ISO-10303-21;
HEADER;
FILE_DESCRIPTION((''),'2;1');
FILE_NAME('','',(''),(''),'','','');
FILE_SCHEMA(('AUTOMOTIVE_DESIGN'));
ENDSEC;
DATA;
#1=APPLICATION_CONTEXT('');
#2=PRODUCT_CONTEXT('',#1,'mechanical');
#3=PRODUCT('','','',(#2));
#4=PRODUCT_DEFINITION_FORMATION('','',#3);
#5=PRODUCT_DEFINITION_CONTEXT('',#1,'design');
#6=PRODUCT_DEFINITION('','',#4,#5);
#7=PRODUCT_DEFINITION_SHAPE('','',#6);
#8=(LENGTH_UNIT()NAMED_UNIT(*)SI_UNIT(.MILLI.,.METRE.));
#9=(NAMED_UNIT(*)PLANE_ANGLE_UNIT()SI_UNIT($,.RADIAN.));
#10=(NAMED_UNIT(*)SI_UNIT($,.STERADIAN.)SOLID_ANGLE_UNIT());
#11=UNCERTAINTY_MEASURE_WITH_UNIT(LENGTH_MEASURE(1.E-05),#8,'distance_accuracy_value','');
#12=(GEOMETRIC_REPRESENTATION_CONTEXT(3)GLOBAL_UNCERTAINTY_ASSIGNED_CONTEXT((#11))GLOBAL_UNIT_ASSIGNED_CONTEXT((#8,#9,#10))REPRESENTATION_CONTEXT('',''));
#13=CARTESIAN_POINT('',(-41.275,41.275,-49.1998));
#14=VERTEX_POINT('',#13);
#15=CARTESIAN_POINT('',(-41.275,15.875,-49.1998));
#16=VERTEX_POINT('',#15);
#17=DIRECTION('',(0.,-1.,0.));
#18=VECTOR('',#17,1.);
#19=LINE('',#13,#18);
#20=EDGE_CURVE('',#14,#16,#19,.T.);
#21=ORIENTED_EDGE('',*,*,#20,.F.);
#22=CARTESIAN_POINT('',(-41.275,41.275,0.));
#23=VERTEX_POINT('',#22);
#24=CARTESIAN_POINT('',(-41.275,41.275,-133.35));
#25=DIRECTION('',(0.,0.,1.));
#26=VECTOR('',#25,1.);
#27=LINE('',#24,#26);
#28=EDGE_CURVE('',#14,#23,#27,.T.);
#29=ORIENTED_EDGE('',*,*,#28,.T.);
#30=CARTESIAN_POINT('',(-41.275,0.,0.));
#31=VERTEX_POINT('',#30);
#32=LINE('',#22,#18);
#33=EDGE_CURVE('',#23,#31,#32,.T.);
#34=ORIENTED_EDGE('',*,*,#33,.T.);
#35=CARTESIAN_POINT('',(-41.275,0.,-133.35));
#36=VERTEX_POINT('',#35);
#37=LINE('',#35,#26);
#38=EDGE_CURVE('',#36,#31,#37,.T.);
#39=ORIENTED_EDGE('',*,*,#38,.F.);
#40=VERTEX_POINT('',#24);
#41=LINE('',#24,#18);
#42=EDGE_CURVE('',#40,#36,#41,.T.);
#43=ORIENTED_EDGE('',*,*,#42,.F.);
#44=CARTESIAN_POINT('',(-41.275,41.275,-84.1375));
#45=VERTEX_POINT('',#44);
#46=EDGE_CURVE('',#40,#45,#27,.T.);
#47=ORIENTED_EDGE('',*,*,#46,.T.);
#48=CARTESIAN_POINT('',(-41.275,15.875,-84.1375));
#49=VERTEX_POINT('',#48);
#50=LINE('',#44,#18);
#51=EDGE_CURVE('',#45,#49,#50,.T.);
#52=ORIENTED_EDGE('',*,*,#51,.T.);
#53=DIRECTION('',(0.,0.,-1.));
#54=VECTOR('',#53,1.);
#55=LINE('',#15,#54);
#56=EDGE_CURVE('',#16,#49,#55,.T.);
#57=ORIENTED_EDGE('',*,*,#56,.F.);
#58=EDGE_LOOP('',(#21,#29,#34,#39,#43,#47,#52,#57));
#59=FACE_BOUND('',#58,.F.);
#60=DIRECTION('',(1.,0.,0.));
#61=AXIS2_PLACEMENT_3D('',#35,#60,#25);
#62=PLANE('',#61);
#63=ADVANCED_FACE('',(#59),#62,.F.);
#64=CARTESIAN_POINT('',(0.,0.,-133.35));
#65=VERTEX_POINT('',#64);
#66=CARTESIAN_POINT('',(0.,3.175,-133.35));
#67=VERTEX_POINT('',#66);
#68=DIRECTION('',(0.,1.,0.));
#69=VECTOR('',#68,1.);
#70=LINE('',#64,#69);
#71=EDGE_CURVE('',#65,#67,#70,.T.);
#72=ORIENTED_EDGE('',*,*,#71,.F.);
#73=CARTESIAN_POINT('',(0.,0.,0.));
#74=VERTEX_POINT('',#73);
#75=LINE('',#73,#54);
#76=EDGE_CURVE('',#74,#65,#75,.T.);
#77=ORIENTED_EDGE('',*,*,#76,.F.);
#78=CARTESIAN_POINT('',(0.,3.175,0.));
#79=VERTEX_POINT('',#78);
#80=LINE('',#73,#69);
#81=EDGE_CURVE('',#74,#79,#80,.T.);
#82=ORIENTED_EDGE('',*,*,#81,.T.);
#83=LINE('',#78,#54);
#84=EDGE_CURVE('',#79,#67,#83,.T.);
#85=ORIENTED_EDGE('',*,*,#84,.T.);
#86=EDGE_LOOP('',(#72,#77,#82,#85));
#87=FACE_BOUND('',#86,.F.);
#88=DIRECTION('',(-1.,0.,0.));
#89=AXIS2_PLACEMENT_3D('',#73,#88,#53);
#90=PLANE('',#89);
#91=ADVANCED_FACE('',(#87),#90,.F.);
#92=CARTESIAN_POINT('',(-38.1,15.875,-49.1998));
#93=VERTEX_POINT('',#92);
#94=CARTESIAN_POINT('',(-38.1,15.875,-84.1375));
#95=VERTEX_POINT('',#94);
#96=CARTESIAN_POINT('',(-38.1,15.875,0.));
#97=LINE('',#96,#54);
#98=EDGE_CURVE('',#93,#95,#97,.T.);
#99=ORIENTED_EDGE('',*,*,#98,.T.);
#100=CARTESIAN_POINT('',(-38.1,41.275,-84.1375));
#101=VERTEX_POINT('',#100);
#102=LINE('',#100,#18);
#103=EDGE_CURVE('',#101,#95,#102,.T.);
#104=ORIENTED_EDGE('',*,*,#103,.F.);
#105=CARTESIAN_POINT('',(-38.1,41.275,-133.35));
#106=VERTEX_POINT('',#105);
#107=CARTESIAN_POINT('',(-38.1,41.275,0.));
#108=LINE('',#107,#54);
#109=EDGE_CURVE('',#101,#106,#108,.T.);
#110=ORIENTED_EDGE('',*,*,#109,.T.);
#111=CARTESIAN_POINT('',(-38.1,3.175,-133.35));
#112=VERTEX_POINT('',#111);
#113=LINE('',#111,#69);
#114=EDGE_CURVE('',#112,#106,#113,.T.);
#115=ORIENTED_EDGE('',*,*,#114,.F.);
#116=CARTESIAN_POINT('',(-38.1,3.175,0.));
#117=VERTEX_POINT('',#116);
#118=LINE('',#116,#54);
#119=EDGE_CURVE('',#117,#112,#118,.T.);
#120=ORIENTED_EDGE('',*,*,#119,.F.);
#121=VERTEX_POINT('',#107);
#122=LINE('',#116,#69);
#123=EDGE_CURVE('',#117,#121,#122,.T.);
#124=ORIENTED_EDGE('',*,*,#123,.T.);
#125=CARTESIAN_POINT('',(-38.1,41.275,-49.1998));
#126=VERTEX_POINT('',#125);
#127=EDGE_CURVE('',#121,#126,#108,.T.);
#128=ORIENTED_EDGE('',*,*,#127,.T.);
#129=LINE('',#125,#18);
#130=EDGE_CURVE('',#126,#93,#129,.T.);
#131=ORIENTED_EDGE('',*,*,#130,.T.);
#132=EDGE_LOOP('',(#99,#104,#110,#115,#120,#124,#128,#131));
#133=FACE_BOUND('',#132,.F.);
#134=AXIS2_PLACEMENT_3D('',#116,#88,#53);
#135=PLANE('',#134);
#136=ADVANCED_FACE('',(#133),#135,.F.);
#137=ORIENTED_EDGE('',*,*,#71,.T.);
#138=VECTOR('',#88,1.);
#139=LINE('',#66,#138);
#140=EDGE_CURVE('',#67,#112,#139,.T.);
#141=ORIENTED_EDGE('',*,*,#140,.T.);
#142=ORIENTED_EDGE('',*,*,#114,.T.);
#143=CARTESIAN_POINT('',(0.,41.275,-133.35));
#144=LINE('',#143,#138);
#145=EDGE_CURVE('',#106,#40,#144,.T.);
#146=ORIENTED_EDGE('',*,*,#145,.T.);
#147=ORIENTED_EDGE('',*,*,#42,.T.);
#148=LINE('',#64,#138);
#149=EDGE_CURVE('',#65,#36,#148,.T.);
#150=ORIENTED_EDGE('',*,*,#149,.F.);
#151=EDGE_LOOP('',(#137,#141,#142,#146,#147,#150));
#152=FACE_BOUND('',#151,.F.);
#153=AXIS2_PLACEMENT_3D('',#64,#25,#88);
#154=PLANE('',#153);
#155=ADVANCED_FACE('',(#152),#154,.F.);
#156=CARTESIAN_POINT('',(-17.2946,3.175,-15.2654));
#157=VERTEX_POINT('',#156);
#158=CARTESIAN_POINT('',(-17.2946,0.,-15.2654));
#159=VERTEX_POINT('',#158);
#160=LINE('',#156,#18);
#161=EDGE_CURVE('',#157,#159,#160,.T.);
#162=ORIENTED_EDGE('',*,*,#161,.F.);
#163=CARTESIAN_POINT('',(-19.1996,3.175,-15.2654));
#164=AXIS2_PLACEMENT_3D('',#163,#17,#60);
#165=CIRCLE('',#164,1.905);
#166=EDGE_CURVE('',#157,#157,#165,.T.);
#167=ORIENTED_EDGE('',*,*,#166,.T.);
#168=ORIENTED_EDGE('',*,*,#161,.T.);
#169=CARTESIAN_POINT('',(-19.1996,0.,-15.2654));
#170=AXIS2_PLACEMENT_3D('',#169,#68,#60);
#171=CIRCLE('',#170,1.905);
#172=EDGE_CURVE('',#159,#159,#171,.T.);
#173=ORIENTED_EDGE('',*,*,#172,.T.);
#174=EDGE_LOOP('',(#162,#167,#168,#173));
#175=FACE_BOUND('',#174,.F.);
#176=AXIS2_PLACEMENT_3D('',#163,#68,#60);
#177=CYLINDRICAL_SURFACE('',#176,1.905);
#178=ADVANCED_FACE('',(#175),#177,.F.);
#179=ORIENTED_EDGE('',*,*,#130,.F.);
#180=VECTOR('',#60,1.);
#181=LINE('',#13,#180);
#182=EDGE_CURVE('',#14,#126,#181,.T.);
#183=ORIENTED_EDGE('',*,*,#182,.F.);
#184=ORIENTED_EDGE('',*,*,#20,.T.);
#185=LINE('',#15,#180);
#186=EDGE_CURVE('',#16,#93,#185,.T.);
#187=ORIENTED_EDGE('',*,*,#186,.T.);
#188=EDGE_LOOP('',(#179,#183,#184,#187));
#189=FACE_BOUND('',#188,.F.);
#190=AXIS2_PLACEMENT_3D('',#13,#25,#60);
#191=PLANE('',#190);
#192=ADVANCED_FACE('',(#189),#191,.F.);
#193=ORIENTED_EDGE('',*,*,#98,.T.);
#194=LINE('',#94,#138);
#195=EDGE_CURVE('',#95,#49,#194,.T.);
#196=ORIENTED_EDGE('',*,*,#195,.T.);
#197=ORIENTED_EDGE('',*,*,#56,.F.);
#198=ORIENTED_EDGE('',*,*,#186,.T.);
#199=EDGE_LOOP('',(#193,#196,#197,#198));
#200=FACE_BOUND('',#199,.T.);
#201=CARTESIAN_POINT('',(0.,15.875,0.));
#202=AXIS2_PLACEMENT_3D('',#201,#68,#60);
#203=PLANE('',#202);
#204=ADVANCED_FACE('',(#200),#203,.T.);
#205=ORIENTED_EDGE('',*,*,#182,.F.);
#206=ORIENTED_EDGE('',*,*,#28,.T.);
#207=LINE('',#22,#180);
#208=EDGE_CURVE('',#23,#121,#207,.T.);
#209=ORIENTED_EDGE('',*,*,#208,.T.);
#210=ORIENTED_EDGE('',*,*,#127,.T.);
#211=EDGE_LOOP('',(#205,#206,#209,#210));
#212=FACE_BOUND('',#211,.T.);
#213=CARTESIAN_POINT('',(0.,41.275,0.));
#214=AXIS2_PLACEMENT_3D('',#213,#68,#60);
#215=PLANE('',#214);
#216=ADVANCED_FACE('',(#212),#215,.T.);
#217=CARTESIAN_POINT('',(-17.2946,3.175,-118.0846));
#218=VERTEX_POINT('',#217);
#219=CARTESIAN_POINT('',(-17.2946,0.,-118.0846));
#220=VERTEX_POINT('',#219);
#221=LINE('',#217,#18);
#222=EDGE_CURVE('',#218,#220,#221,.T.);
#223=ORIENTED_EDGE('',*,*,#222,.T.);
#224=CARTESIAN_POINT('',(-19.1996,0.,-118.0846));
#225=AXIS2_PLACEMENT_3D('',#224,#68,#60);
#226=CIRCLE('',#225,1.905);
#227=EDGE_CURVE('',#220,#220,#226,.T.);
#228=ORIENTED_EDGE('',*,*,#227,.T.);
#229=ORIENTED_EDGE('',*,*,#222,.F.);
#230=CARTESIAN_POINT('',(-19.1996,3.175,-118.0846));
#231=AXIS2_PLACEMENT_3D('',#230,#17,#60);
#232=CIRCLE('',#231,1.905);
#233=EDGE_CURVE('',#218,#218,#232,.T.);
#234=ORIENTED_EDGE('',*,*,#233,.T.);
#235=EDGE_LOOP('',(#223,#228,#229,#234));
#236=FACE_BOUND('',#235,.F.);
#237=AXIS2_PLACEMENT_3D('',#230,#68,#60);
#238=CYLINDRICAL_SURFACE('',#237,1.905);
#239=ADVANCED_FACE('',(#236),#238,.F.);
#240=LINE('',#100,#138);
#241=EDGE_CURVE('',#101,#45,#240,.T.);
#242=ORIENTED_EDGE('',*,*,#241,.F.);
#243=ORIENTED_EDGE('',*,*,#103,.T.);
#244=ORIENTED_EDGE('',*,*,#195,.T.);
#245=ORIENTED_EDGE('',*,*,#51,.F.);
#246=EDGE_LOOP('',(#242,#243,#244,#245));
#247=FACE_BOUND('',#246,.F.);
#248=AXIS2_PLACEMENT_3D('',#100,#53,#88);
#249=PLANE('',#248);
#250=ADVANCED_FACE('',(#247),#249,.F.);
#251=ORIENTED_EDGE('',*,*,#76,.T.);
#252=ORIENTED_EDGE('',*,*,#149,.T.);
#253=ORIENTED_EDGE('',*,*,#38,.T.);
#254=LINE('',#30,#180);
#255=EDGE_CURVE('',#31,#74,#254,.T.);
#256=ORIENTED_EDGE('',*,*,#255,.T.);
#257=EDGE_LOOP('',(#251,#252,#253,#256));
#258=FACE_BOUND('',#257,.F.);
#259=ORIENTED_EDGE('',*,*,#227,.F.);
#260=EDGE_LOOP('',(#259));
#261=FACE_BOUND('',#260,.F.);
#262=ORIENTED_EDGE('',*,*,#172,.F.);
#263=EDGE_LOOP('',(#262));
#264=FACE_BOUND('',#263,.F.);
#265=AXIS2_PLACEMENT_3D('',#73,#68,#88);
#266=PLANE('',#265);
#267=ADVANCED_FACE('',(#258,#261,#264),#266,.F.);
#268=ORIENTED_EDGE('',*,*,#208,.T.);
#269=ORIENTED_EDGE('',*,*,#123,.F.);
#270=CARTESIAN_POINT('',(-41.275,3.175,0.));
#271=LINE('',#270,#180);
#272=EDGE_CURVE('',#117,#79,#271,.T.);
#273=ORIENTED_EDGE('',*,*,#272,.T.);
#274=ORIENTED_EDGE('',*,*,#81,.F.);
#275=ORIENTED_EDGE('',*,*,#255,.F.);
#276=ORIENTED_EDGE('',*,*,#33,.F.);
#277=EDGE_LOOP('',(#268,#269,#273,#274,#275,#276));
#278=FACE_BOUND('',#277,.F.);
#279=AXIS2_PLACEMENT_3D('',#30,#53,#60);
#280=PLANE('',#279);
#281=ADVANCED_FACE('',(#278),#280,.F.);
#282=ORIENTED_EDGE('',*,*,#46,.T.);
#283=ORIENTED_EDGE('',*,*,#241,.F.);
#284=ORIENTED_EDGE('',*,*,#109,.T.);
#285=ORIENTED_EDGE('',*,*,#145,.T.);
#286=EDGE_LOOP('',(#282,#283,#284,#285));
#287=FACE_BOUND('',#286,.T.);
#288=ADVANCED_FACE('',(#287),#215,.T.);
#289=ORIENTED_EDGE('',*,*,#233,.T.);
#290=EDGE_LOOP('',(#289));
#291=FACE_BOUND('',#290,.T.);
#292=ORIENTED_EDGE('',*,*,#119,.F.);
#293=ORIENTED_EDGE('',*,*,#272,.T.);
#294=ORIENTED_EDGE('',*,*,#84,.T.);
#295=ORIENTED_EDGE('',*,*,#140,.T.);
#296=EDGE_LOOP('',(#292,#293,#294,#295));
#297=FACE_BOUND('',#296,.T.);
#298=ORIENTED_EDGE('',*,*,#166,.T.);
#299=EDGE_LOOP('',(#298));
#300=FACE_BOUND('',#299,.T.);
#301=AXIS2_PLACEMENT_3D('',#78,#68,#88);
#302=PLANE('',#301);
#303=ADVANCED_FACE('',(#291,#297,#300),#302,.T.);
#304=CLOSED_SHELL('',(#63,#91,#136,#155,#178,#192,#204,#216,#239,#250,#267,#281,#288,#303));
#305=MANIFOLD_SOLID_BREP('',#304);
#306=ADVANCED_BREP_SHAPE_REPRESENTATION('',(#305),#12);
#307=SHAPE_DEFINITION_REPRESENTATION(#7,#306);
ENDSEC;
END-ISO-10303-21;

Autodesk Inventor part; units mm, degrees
ref_plane "YZ Plane" through (0, 0, 0) normal (1, 0, 0) x (0, 1, 0)
ref_plane "XZ Plane" through (0, 0, 0) normal (0, 1, 0) x (-1, 0, 0)
ref_plane "XY Plane" through (0, 0, 0) normal (0, 0, 1) x (1, 0, 0)
sketch "Sketch1" plane through (0, 0, 0) normal (0, 1, 0) x (-1, 0, 0)
  line L0 (0, 0) -> (0, -133.35)
  line L1 (0, -133.35) -> (41.275, -133.35)
  line L2 (41.275, -133.35) -> (41.275, 0)
  line L3 (41.275, 0) -> (0, 0)
  dimension "d0" = 133.35
  dimension "d1" = 41.275
extrude "Extrusion1" add sketch "Sketch1" along normal blind 3.175
sketch "Sketch2" plane through (0, 3.175, 0) normal (0, 1, 0) x (1, 0, 0)
  line L0 (-41.275, 133.35) -> (-41.275, 0) projected
  line L1 (-41.275, 0) -> (-38.1, 0)
  line L2 (-41.275, 0) -> (0, 0) projected
  line L3 (-38.1, 0) -> (-38.1, 133.35)
  line L4 (0, 133.35) -> (-41.275, 133.35) projected
  line L5 (-41.275, 133.35) -> (-41.275, 0)
  dimension "d4" = 3.175
extrude "Extrusion2" add sketch "Sketch2" along normal blind 38.1
sketch "Sketch3" plane through (0, 41.275, 0) normal (0, 1, 0) x (1, 0, 0)
  line L0 (-41.275, 133.35) -> (-41.275, 0) projected
  line L1 (-41.275, 66.675) -> (-41.275, 84.1375)
  line L2 (-41.275, 66.675) -> (-41.275, 49.1998)
  line L3 (-41.275, 49.1998) -> (-38.1, 49.1998)
  line L4 (-38.1, 0) -> (-38.1, 133.35) projected
  line L5 (-38.1, 84.1375) -> (-41.275, 84.1375)
  line L6 (-38.1, 49.1998) -> (-38.1, 84.1375)
  point P0 (0, 0)
  dimension "d7" = 17.4625
  dimension "d8" = 17.4752
extrude "Extrusion3" cut sketch "Sketch3" against normal blind 25.4
sketch "Sketch4" plane through (0, 3.175, 0) normal (0, 1, 0) x (1, 0, 0)
  line L0 (0, 133.35) -> (-38.1, 133.35) projected
  point P0 (0, 0)
sketch "Sketch5" plane through (0, 3.175, 0) normal (0, 1, 0) x (1, 0, 0)
  line L0 (0, 0) -> (0, 133.35) projected
  line L1 (0, 66.675) -> (-38.3992, 66.675)
  line L2 (-19.1996, 66.675) -> (-19.1996, 118.0846)
  line L3 (-19.1996, 66.675) -> (-19.1996, 15.2654)
  circle A0 centre (-19.1996, 15.2654) radius 1.905
  circle A1 centre (-19.1996, 118.0846) radius 1.905
  dimension "d12" = 51.4096
  dimension "d13" = 51.4096
  dimension "d14" = 3.81
  dimension "d15" = 3.81
extrude "Extrusion4" cut sketch "Sketch5" against normal blind 20.6375
properties part number "cut top wheel mout thingy"
